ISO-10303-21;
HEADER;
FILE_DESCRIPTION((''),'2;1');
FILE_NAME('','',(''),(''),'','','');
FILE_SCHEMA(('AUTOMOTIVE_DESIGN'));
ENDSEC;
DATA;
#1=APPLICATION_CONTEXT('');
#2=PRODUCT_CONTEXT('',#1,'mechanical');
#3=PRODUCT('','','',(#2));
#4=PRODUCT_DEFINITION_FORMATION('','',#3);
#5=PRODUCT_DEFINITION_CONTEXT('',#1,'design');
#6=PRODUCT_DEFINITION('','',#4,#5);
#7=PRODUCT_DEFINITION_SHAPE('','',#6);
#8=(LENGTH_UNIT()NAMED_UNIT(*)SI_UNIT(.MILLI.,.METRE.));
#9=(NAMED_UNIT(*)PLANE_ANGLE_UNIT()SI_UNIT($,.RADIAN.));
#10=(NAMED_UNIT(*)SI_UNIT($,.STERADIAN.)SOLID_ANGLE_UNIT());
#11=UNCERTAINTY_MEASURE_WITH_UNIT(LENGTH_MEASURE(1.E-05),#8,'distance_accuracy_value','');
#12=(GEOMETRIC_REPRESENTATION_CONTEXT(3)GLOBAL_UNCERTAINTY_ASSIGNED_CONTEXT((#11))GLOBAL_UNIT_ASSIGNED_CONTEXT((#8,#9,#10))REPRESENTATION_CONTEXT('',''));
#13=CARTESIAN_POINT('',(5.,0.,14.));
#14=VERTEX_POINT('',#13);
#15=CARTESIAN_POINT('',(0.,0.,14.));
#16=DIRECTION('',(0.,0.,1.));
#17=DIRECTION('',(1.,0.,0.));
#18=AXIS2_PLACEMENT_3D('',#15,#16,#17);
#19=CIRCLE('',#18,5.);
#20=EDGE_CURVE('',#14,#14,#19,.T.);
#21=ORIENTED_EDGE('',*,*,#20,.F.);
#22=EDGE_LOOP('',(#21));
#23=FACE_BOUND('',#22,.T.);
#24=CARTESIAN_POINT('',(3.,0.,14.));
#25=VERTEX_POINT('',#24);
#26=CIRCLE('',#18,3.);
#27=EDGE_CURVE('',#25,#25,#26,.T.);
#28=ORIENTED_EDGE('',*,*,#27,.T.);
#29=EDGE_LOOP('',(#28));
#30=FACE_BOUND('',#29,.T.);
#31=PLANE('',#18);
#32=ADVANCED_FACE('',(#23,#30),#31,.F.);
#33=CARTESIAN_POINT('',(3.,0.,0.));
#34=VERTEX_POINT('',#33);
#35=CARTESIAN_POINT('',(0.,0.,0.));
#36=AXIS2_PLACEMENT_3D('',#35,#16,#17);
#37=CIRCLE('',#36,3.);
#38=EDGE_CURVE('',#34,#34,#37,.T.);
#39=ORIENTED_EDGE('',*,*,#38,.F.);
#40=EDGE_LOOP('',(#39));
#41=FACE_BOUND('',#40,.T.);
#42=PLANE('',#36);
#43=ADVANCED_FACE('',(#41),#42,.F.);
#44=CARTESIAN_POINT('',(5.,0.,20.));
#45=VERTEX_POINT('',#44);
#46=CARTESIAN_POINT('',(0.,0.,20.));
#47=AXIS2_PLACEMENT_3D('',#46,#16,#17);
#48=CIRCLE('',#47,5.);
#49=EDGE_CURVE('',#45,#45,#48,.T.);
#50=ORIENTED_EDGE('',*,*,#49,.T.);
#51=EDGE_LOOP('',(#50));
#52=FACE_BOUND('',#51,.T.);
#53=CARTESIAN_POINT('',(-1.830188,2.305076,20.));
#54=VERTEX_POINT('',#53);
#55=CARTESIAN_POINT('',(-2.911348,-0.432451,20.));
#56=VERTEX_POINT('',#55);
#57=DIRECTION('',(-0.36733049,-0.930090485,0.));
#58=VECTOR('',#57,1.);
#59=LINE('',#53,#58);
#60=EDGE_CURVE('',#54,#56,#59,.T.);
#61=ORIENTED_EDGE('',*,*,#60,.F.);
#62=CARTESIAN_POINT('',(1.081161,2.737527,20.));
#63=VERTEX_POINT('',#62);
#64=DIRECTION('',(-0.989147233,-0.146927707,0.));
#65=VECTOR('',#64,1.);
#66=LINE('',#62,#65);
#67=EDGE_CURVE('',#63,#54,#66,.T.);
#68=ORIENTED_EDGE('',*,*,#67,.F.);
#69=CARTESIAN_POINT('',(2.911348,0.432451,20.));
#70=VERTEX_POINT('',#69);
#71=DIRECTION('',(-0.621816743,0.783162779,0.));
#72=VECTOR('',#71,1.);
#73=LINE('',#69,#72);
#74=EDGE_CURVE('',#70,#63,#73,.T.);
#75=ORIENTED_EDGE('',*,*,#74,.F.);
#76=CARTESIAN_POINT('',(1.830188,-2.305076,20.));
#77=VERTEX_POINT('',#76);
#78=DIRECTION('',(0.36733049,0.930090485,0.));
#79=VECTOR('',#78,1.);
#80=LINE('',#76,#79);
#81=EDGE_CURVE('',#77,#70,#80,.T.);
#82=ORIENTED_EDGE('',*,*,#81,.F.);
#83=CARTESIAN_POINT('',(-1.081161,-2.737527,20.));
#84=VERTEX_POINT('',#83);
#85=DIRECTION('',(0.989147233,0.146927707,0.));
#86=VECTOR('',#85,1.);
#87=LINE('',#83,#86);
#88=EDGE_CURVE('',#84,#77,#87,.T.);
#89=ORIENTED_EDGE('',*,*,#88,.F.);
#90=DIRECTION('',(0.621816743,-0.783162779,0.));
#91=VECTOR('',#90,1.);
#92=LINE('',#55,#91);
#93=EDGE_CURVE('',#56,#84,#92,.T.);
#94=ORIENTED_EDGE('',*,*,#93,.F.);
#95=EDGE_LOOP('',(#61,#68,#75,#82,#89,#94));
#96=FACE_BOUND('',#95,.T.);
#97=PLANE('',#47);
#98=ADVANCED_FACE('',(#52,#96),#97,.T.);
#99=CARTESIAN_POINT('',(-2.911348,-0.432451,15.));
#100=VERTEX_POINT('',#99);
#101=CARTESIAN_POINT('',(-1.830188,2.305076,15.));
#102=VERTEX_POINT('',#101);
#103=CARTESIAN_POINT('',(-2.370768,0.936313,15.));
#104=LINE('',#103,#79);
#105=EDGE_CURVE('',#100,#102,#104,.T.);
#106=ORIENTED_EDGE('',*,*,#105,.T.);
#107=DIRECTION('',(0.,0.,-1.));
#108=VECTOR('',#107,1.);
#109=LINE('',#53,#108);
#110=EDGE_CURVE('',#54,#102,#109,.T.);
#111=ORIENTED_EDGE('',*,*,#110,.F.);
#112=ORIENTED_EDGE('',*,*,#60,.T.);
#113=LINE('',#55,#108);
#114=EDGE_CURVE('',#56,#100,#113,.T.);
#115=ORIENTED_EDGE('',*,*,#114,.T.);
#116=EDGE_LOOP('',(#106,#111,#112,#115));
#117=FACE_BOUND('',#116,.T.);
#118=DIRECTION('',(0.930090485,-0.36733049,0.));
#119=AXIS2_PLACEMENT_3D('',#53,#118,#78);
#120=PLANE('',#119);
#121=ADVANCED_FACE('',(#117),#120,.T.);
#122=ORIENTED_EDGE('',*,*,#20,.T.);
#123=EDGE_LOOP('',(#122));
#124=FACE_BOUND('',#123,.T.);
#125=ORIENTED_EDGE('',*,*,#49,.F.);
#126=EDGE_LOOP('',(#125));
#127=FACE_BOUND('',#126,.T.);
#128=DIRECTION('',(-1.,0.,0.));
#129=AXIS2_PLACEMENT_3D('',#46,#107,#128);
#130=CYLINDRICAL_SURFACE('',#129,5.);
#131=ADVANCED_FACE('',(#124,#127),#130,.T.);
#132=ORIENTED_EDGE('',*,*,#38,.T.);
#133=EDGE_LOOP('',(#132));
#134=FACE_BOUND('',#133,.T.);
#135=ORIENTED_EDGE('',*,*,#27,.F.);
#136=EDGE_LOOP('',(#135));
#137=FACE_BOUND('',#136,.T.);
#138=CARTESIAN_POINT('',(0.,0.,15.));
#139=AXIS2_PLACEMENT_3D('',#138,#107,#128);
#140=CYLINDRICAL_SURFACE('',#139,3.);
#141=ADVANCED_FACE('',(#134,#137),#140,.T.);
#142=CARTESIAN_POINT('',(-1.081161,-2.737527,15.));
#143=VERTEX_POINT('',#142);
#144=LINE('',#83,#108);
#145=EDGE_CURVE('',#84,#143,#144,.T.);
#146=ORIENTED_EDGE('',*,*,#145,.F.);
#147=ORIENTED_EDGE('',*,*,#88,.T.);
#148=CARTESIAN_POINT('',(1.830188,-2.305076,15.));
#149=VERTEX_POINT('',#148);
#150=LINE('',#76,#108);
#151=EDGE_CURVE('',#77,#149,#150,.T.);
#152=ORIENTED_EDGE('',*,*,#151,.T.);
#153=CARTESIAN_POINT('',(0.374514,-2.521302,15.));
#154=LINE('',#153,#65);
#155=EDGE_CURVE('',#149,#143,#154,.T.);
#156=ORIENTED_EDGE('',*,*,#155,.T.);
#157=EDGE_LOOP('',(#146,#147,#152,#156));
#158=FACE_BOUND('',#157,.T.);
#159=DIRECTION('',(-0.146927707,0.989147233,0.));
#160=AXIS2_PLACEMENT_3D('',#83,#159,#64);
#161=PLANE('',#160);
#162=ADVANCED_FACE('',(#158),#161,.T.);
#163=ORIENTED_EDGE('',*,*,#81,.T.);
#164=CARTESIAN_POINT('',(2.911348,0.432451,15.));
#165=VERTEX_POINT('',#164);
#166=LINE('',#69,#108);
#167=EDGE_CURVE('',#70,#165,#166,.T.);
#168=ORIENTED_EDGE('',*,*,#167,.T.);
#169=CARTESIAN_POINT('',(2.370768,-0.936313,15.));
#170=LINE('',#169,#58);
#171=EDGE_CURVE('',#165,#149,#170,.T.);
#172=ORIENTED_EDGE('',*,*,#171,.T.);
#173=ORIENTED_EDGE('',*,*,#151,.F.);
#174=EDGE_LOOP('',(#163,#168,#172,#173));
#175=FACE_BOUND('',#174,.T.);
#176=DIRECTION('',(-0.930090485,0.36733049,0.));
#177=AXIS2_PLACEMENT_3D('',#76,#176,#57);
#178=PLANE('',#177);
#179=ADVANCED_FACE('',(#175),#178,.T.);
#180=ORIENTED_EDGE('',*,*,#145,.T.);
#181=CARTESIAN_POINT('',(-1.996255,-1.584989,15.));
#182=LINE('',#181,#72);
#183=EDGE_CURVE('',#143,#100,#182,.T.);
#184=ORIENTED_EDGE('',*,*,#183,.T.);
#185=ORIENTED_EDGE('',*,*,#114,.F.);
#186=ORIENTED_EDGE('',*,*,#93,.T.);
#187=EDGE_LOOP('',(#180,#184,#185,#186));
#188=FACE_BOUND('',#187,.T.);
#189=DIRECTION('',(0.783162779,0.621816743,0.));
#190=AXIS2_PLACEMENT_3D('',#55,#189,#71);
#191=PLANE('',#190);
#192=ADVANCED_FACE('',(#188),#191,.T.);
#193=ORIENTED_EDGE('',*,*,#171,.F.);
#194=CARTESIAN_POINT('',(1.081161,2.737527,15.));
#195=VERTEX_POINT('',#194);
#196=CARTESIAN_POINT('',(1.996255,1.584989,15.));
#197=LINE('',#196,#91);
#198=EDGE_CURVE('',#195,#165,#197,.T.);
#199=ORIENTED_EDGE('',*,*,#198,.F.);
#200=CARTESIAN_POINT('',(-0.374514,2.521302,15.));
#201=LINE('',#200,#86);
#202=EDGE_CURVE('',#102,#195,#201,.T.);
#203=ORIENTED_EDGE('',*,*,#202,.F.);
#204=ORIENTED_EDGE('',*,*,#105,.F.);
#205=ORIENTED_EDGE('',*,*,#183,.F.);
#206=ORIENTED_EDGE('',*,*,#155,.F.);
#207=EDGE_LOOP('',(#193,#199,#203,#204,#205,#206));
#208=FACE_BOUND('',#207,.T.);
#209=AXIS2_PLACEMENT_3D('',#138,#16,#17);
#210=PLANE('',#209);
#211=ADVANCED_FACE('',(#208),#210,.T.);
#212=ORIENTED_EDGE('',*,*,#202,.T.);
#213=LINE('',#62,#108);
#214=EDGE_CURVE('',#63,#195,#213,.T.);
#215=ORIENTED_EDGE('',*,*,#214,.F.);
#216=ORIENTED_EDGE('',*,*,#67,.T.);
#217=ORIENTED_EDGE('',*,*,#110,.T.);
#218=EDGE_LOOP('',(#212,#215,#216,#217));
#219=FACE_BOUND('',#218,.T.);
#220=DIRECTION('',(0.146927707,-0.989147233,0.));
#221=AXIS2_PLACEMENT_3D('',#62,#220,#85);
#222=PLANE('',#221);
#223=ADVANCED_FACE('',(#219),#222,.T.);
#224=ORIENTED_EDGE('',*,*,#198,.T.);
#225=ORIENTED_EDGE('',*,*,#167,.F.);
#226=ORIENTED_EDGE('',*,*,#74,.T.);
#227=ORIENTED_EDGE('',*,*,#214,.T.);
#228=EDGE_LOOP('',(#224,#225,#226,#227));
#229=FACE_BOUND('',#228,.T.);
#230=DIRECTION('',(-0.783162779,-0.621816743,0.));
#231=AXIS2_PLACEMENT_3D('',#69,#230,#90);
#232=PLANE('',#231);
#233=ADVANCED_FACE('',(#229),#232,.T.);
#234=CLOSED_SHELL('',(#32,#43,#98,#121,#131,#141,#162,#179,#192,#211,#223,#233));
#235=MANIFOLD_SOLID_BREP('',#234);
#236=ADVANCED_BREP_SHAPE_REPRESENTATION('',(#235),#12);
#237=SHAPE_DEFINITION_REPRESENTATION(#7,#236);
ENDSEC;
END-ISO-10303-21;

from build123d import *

# Parameters (mm, degrees)
SKETCH_1_R           = 3
EXTRUDE_1_DEPTH      = 15
EXTRUDE_2_DEPTH      = 5
EXTRUDE_2_DEPTH_BACK = 1
SKETCH_2_R           = 5


with BuildPart() as part:
    # 草图1 → 拉伸1 (new body)
    with BuildSketch(Plane.XY):
        Circle(SKETCH_1_R)
    extrude(amount=EXTRUDE_1_DEPTH)

    # 草图2 → 拉伸2 (add, two sides: drawn at the far end of the back side and taken through both)
    with BuildSketch(Plane.XY.offset(15).offset(-EXTRUDE_2_DEPTH_BACK)):
        Circle(SKETCH_2_R)
        Polygon((-1.830187787, 2.305076164), (-2.911348409, -0.432451036), (-1.081160622, -2.7375272), (1.830187787, -2.305076164), (2.911348409, 0.432451036), (1.081160622, 2.7375272), align=None, mode=Mode.SUBTRACT)
    extrude(amount=EXTRUDE_2_DEPTH + EXTRUDE_2_DEPTH_BACK)


solid = part.part
